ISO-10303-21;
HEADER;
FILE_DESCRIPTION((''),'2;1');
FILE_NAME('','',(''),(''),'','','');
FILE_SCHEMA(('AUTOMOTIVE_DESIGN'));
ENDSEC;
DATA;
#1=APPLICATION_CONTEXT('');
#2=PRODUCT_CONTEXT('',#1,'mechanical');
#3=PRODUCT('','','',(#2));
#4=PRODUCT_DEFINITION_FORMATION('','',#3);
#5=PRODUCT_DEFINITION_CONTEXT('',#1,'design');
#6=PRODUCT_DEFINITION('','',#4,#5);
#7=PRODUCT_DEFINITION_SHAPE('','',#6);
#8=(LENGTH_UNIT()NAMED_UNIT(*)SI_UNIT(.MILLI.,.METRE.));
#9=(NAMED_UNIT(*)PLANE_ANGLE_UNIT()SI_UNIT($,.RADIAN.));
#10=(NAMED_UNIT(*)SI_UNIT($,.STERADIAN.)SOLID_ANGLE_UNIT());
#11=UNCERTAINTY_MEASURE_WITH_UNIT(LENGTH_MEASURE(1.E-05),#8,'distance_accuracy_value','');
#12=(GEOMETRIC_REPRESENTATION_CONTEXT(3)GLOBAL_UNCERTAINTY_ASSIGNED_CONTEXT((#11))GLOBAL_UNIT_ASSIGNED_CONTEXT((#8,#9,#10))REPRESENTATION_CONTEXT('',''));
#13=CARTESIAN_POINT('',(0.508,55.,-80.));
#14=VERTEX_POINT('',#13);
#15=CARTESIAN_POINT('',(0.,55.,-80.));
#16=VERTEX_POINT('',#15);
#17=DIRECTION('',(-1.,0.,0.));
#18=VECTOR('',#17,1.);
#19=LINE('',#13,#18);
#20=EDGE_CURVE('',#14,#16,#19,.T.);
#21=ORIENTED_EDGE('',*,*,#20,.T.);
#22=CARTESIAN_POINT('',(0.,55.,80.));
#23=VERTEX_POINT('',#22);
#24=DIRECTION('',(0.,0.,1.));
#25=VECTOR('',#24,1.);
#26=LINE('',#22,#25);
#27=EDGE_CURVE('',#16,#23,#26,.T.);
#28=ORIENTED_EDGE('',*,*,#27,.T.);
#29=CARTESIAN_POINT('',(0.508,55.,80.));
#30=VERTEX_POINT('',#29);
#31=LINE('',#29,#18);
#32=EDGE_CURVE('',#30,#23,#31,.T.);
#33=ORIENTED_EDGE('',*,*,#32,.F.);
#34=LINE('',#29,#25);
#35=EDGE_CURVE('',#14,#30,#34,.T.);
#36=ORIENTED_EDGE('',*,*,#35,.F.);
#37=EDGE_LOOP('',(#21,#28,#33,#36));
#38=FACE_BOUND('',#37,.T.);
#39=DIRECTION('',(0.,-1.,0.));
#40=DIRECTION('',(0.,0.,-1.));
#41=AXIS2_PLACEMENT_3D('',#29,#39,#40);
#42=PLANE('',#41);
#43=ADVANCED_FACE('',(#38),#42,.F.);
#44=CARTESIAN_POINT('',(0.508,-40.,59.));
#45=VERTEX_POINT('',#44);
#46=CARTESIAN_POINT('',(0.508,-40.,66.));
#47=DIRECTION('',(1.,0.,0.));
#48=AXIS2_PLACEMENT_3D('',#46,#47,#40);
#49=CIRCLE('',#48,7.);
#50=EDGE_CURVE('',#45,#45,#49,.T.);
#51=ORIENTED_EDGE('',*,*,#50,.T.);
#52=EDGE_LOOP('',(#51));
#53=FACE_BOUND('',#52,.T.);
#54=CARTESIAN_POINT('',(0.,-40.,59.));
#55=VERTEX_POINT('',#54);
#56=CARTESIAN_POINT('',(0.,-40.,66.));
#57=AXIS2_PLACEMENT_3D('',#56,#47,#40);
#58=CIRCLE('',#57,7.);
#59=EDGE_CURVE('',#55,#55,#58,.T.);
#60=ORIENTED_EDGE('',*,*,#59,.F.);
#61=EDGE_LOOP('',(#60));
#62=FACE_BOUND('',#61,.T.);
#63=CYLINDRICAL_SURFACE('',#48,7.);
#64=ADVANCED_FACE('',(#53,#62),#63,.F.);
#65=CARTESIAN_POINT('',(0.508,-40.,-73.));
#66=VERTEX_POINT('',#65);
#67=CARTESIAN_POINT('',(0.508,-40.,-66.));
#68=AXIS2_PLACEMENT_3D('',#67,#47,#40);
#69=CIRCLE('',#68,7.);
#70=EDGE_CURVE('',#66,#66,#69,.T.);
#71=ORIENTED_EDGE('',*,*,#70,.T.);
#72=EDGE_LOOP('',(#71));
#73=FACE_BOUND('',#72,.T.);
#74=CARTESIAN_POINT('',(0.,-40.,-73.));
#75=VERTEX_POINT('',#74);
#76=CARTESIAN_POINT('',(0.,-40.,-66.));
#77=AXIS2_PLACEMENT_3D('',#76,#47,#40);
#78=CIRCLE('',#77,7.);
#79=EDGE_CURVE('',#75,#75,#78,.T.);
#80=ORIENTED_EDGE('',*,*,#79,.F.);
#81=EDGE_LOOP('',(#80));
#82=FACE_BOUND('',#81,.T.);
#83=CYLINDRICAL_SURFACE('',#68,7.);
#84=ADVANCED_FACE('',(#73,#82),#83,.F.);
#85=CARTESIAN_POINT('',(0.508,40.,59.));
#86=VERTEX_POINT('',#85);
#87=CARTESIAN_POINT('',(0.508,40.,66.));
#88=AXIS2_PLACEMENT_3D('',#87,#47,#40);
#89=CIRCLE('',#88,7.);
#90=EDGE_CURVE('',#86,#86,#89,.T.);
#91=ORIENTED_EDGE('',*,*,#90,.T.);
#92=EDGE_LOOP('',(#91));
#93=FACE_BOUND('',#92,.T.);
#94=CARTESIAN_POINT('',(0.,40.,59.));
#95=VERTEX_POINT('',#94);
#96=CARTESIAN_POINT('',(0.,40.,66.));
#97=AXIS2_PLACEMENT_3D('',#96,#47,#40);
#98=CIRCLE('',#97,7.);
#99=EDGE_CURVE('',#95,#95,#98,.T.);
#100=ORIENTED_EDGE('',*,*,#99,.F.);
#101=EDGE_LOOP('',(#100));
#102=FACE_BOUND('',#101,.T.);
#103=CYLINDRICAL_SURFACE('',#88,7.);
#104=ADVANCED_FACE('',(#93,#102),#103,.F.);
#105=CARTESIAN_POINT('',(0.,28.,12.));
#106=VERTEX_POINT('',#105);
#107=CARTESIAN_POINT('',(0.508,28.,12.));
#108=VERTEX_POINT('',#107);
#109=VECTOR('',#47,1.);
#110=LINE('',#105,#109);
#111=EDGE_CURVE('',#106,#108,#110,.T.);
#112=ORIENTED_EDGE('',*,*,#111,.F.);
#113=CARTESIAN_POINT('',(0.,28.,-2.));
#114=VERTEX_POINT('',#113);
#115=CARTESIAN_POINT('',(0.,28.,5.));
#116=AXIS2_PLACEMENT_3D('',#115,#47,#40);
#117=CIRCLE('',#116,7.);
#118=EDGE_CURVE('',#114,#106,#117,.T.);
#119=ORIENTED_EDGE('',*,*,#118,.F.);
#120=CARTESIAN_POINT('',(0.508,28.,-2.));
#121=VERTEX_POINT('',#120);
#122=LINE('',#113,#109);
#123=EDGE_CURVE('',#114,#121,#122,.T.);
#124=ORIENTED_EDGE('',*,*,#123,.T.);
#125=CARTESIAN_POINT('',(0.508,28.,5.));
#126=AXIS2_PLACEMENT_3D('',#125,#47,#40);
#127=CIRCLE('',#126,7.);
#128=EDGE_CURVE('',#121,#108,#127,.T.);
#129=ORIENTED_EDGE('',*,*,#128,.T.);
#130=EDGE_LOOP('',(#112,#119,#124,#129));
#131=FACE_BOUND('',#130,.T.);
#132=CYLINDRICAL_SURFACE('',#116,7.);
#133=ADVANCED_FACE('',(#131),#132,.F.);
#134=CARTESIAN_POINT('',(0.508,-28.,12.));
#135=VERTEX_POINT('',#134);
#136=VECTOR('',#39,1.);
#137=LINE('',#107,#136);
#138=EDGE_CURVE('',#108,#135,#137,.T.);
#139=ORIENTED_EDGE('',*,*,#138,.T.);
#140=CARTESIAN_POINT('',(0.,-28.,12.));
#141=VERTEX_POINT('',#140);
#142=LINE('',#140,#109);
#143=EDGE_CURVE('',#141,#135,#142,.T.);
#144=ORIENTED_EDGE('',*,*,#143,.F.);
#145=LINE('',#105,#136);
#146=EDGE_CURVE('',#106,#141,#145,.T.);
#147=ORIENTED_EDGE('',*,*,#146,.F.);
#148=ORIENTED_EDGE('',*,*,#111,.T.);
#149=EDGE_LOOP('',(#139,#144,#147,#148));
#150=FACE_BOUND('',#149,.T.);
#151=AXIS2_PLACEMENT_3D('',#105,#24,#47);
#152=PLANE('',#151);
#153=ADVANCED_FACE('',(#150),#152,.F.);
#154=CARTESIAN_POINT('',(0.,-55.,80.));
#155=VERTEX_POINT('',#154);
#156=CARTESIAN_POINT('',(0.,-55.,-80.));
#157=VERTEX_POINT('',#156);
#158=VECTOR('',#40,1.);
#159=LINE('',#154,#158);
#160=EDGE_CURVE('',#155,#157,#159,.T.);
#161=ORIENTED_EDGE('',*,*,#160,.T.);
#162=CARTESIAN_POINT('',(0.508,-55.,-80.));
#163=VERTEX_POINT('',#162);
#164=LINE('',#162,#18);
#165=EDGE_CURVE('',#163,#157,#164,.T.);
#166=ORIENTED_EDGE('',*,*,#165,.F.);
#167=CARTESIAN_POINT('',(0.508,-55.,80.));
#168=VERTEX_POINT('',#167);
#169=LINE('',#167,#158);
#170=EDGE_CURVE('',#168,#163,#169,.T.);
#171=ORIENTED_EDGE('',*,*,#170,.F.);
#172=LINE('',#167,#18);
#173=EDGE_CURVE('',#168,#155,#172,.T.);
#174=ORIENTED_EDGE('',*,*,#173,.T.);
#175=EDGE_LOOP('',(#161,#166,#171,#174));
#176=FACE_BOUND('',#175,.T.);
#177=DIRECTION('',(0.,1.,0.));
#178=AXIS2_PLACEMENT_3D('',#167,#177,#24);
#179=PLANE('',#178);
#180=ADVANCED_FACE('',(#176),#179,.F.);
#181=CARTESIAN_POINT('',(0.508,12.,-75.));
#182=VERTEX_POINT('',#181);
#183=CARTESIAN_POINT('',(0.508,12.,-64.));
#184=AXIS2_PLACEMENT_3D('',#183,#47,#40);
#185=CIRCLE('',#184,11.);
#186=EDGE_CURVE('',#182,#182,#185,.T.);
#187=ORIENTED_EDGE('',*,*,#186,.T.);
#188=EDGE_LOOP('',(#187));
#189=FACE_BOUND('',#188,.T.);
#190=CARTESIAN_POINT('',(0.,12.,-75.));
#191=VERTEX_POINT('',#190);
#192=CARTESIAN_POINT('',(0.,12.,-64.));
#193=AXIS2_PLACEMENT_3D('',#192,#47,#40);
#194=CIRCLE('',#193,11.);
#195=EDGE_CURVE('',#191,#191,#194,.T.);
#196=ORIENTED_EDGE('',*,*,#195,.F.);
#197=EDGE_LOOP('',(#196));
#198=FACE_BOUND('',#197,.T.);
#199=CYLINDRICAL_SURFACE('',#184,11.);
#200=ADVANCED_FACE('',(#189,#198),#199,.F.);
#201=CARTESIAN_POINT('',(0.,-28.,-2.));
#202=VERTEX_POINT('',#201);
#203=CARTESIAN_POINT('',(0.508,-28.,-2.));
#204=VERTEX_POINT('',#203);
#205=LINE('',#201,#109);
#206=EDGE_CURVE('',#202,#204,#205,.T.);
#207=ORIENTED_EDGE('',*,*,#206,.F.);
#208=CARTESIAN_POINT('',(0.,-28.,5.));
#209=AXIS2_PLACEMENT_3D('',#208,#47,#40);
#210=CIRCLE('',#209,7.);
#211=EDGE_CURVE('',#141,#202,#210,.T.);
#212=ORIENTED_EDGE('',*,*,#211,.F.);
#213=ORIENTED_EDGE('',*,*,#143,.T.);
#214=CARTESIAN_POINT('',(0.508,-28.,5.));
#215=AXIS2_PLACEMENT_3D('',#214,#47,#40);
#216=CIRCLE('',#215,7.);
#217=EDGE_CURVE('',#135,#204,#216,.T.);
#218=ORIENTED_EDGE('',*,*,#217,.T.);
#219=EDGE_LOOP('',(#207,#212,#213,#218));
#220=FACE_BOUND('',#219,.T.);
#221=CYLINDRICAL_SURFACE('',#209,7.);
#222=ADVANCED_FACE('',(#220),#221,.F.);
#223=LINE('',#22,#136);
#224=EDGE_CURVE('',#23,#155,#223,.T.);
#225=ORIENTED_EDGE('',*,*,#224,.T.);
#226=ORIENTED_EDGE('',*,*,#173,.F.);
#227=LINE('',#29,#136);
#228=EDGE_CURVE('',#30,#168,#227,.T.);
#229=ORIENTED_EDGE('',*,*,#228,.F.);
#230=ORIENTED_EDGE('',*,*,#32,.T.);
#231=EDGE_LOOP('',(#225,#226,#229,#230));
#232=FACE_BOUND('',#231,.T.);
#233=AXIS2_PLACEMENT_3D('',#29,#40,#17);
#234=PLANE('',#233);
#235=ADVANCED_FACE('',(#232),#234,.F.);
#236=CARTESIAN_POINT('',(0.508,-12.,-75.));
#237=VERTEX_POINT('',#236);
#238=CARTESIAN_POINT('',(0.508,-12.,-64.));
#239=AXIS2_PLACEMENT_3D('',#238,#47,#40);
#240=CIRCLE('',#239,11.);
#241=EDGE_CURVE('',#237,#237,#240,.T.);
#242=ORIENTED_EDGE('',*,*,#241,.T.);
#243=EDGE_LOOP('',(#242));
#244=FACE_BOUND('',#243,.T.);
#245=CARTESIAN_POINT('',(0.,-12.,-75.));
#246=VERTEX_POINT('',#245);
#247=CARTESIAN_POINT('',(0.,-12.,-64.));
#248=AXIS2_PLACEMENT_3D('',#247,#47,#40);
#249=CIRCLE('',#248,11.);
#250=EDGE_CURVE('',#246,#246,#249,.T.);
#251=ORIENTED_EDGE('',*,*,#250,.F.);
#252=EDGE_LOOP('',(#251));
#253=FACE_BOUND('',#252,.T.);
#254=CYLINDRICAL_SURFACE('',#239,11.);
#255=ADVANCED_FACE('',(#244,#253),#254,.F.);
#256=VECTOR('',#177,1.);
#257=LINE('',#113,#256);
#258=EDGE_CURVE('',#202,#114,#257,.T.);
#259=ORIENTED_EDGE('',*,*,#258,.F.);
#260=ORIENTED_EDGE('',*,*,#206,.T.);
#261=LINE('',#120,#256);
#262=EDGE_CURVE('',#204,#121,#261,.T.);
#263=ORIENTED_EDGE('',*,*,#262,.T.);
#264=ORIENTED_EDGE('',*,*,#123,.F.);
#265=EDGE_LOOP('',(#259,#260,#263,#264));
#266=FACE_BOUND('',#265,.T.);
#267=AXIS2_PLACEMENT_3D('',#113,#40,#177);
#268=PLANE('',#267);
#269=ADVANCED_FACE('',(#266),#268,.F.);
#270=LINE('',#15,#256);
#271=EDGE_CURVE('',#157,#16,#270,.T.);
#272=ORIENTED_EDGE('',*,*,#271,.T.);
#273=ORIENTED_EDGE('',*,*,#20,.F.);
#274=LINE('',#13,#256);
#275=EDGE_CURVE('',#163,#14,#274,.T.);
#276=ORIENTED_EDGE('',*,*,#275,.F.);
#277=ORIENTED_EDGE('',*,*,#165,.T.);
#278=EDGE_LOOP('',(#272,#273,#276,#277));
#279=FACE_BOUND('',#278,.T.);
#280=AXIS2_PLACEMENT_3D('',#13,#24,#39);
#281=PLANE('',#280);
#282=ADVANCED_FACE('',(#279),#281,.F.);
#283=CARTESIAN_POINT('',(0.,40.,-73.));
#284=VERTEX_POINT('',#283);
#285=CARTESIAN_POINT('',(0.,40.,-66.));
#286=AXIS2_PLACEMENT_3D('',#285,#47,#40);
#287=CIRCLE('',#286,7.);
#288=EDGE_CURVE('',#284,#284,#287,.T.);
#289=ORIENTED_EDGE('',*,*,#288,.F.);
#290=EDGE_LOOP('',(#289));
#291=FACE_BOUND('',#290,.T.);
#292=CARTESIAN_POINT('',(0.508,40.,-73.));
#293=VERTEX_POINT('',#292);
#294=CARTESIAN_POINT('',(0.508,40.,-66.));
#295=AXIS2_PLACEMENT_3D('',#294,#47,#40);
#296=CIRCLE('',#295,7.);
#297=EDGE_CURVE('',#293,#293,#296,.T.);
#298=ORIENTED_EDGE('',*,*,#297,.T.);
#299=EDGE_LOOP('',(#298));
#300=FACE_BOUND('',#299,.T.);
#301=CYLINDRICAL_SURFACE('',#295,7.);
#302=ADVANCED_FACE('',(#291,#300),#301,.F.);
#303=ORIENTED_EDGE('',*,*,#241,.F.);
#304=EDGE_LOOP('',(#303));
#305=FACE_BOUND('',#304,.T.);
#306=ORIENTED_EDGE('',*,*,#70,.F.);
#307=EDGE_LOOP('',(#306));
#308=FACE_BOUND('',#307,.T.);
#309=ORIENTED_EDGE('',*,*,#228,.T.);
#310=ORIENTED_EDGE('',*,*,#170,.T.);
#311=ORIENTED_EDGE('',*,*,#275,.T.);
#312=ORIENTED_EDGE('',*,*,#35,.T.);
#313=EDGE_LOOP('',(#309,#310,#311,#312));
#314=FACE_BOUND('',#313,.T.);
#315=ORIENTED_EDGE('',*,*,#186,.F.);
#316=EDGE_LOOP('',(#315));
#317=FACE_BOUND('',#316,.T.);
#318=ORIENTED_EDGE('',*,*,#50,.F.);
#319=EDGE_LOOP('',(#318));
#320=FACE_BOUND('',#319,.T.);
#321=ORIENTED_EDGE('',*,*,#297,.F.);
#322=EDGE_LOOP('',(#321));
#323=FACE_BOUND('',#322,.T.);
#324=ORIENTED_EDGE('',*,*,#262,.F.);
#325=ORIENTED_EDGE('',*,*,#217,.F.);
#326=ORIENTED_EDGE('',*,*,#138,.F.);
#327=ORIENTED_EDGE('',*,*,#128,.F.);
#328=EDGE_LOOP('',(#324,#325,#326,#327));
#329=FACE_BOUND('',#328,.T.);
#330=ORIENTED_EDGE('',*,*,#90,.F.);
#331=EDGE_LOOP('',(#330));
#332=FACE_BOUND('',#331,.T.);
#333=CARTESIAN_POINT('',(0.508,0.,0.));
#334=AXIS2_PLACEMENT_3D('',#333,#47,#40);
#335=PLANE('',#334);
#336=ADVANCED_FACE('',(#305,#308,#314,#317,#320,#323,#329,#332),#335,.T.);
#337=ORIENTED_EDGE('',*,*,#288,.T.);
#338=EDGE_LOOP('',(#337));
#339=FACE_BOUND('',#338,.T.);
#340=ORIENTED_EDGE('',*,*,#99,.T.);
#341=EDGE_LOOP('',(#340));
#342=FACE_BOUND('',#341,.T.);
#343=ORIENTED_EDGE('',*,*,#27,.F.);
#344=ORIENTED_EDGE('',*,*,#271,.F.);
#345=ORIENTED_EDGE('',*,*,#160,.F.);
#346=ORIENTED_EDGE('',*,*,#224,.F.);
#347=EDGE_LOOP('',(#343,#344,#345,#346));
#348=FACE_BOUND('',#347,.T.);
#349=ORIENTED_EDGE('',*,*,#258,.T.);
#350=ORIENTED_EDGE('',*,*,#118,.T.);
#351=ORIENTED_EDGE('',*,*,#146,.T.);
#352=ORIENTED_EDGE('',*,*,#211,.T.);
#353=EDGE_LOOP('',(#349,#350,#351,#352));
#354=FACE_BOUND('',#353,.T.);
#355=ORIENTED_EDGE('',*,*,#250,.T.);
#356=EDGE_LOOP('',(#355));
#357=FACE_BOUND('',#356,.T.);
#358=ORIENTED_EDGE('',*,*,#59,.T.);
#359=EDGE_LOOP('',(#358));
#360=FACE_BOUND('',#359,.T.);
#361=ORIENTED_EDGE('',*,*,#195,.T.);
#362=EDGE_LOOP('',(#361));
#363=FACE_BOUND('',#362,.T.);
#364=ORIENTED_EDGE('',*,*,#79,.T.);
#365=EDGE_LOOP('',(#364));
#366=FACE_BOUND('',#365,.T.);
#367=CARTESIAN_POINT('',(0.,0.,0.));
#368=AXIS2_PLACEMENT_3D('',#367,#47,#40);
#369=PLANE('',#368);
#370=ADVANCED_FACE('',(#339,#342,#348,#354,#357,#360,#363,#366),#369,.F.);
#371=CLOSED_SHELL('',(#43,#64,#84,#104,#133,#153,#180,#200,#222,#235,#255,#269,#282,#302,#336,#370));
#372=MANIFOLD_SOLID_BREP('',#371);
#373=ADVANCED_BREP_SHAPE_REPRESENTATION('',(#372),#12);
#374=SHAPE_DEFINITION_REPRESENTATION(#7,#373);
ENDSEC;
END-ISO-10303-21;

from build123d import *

# Parameters (mm, degrees)
SKETCH1_W             = 160
SKETCH1_H             = 110
BOSS_EXTRUDE1_DEPTH   = 0.508
M12_CLEARANCE_HOLE1_D = 14
CUT_EXTRUDE1_DEPTH    = 98.083768283
M20_CLEARANCE_HOLE1_D = 22


with BuildPart() as part:
    # Sketch1 → Boss-Extrude1 (new body)
    with BuildSketch(Plane(origin=(0, 0, 0), x_dir=(0, 0, -1), z_dir=(1, 0, 0))):
        Rectangle(SKETCH1_W, SKETCH1_H)
    extrude(amount=BOSS_EXTRUDE1_DEPTH)

    # M12 Clearance Hole1 (through all)
    with Locations(Plane(origin=(0.508, 0, 0), x_dir=(0, 0, -1), z_dir=(1, 0, 0))):
        with Locations((-66, 40), (66, 40), (66, -40), (-66, -40)):
            Hole(M12_CLEARANCE_HOLE1_D / 2)

    # Sketch4 → Cut-Extrude1 (cut, through all)
    with BuildSketch(Plane(origin=(0.508, 0, 0), x_dir=(0, 0, -1), z_dir=(1, 0, 0))):
        with BuildLine():
            Line((2, 28), (2, -28))
            ThreePointArc((2, -28), (-5, -35), (-12, -28))
            Line((-12, -28), (-12, 28))
            ThreePointArc((-12, 28), (-5, 35), (2, 28))
        make_face()
    extrude(amount=-CUT_EXTRUDE1_DEPTH, mode=Mode.SUBTRACT)

    # M20 Clearance Hole1 (through all)
    with Locations(Plane(origin=(0.508, 0, 0), x_dir=(0, 0, -1), z_dir=(1, 0, 0))):
        with Locations((64, 12), (64, -12)):
            Hole(M20_CLEARANCE_HOLE1_D / 2)


solid = part.part
